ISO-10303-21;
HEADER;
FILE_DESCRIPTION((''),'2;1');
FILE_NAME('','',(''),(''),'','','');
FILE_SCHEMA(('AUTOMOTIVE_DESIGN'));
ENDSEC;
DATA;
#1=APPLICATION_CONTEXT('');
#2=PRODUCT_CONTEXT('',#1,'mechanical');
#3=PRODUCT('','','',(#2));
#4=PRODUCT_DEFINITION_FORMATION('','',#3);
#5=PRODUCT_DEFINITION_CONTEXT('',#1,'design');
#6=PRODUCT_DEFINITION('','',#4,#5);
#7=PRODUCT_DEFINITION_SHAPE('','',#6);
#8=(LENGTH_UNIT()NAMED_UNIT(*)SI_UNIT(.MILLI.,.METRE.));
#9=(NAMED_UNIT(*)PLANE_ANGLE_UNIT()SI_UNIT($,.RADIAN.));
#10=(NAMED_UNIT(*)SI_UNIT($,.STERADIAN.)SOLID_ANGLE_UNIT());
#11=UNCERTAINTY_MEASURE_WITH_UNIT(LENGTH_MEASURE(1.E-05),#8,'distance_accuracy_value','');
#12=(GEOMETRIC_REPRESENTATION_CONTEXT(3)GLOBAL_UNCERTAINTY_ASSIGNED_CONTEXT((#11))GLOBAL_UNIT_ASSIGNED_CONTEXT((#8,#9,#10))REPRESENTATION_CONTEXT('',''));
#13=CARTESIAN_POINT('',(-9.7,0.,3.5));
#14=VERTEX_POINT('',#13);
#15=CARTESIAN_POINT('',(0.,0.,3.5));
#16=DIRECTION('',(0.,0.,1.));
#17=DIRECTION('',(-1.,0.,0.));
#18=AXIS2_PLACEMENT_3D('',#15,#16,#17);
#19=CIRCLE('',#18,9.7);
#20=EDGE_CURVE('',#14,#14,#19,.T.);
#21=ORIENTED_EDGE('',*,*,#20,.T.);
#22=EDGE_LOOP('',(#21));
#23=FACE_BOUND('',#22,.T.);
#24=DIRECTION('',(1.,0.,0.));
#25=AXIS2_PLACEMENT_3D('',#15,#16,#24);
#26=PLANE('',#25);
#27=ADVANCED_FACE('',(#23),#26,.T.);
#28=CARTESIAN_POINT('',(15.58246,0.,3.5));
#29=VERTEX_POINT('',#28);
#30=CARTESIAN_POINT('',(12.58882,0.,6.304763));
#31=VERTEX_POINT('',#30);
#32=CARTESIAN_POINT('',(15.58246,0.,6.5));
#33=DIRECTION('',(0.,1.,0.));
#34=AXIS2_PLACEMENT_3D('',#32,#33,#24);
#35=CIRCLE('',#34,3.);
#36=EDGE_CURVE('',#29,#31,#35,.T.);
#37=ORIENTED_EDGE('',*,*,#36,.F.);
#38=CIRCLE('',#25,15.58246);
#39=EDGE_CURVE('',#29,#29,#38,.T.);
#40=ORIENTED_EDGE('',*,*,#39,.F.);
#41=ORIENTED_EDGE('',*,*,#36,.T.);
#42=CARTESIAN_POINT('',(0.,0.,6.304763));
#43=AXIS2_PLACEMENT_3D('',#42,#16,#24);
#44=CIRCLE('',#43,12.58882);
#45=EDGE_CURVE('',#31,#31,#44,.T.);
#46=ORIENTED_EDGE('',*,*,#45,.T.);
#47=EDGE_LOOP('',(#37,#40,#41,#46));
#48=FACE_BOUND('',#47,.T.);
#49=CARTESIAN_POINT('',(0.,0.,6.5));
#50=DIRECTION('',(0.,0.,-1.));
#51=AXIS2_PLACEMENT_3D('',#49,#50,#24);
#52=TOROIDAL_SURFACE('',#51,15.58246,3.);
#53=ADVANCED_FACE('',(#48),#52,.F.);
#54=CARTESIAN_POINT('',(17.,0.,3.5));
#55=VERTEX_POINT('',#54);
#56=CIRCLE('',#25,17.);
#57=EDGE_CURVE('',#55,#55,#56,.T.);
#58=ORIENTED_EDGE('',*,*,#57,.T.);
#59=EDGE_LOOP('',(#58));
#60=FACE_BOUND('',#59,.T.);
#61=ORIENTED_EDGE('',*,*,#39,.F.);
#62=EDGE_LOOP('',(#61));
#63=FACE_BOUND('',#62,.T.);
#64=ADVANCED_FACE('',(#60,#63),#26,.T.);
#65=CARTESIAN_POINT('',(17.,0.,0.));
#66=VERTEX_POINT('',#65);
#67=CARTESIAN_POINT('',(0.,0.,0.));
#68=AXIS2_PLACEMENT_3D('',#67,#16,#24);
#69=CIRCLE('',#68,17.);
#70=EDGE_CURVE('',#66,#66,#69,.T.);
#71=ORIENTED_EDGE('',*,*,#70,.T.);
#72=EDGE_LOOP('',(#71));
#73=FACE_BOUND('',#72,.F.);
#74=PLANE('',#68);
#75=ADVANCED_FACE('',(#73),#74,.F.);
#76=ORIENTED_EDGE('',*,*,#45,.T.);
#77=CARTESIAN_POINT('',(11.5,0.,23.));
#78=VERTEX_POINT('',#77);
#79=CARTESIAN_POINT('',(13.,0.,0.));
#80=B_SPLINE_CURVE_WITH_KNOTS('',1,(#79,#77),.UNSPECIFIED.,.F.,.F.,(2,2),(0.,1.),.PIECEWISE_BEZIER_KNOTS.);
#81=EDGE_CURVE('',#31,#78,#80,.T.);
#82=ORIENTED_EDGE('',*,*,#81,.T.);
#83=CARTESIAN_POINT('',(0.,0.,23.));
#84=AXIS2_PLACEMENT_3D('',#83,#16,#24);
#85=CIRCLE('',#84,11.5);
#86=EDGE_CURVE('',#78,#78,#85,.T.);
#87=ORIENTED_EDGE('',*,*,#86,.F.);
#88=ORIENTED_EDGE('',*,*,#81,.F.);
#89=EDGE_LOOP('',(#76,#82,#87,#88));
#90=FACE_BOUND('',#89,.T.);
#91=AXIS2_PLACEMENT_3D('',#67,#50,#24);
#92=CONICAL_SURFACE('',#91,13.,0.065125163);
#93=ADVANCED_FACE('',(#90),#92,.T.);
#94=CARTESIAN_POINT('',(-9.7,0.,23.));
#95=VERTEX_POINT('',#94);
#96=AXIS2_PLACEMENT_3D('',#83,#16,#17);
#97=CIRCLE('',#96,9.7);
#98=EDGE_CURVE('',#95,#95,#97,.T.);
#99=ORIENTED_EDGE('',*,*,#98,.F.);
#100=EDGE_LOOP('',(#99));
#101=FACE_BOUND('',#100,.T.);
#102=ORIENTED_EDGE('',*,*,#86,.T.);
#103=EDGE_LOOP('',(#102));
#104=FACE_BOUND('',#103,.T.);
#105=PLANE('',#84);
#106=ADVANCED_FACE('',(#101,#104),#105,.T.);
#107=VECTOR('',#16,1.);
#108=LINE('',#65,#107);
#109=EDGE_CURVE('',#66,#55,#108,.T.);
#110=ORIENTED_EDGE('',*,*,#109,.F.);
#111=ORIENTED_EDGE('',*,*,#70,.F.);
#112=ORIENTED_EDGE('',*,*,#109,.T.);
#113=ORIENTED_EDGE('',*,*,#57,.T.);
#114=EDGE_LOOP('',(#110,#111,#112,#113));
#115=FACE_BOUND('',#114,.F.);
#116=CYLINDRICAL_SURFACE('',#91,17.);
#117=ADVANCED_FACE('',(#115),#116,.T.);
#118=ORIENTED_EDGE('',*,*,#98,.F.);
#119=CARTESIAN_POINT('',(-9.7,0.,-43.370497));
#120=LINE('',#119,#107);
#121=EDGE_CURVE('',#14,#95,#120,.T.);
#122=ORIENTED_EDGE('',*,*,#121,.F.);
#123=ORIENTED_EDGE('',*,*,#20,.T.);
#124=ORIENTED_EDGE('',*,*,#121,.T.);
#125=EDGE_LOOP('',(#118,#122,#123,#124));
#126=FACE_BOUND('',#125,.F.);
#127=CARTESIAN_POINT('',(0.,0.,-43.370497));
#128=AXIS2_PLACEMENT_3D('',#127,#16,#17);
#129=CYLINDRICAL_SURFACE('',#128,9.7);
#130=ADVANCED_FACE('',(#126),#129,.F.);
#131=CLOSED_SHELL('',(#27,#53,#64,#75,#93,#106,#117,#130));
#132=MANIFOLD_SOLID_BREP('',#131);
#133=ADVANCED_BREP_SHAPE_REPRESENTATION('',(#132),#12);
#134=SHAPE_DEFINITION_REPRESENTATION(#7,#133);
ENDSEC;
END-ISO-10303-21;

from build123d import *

# Parameters (mm, degrees)
F1_R     = 13
F2_R     = 11.5
F5_D     = 19.4
F6_R     = 17
F7_DEPTH = 3.5
F8_R     = 3


with BuildPart() as f3:
    # F1 (on Top) → F3 section 0
    with BuildSketch(Plane.XY):
        Circle(F1_R)
    # F2 (on offset) → F3 section 1
    with BuildSketch(Plane.XY.offset(23)):
        Circle(F2_R)
    loft()

    # F5 (through all)
    with Locations(Plane(origin=(0, 0, 0), x_dir=(1, 0, 0), z_dir=(0, 0, -1))):
        with Locations((0, 0)):
            Hole(F5_D / 2)

    # F6 (on Top) → F7 (join)
    with BuildSketch(Plane.XY):
        Circle(F6_R)
    extrude(amount=F7_DEPTH)

    # F8
    f8_edges = [f3.edges().sort_by_distance(p)[0] for p in [
        (-12.771739, 0, 3.5),
    ]]
    fillet(f8_edges, radius=F8_R)


solid = f3.part
